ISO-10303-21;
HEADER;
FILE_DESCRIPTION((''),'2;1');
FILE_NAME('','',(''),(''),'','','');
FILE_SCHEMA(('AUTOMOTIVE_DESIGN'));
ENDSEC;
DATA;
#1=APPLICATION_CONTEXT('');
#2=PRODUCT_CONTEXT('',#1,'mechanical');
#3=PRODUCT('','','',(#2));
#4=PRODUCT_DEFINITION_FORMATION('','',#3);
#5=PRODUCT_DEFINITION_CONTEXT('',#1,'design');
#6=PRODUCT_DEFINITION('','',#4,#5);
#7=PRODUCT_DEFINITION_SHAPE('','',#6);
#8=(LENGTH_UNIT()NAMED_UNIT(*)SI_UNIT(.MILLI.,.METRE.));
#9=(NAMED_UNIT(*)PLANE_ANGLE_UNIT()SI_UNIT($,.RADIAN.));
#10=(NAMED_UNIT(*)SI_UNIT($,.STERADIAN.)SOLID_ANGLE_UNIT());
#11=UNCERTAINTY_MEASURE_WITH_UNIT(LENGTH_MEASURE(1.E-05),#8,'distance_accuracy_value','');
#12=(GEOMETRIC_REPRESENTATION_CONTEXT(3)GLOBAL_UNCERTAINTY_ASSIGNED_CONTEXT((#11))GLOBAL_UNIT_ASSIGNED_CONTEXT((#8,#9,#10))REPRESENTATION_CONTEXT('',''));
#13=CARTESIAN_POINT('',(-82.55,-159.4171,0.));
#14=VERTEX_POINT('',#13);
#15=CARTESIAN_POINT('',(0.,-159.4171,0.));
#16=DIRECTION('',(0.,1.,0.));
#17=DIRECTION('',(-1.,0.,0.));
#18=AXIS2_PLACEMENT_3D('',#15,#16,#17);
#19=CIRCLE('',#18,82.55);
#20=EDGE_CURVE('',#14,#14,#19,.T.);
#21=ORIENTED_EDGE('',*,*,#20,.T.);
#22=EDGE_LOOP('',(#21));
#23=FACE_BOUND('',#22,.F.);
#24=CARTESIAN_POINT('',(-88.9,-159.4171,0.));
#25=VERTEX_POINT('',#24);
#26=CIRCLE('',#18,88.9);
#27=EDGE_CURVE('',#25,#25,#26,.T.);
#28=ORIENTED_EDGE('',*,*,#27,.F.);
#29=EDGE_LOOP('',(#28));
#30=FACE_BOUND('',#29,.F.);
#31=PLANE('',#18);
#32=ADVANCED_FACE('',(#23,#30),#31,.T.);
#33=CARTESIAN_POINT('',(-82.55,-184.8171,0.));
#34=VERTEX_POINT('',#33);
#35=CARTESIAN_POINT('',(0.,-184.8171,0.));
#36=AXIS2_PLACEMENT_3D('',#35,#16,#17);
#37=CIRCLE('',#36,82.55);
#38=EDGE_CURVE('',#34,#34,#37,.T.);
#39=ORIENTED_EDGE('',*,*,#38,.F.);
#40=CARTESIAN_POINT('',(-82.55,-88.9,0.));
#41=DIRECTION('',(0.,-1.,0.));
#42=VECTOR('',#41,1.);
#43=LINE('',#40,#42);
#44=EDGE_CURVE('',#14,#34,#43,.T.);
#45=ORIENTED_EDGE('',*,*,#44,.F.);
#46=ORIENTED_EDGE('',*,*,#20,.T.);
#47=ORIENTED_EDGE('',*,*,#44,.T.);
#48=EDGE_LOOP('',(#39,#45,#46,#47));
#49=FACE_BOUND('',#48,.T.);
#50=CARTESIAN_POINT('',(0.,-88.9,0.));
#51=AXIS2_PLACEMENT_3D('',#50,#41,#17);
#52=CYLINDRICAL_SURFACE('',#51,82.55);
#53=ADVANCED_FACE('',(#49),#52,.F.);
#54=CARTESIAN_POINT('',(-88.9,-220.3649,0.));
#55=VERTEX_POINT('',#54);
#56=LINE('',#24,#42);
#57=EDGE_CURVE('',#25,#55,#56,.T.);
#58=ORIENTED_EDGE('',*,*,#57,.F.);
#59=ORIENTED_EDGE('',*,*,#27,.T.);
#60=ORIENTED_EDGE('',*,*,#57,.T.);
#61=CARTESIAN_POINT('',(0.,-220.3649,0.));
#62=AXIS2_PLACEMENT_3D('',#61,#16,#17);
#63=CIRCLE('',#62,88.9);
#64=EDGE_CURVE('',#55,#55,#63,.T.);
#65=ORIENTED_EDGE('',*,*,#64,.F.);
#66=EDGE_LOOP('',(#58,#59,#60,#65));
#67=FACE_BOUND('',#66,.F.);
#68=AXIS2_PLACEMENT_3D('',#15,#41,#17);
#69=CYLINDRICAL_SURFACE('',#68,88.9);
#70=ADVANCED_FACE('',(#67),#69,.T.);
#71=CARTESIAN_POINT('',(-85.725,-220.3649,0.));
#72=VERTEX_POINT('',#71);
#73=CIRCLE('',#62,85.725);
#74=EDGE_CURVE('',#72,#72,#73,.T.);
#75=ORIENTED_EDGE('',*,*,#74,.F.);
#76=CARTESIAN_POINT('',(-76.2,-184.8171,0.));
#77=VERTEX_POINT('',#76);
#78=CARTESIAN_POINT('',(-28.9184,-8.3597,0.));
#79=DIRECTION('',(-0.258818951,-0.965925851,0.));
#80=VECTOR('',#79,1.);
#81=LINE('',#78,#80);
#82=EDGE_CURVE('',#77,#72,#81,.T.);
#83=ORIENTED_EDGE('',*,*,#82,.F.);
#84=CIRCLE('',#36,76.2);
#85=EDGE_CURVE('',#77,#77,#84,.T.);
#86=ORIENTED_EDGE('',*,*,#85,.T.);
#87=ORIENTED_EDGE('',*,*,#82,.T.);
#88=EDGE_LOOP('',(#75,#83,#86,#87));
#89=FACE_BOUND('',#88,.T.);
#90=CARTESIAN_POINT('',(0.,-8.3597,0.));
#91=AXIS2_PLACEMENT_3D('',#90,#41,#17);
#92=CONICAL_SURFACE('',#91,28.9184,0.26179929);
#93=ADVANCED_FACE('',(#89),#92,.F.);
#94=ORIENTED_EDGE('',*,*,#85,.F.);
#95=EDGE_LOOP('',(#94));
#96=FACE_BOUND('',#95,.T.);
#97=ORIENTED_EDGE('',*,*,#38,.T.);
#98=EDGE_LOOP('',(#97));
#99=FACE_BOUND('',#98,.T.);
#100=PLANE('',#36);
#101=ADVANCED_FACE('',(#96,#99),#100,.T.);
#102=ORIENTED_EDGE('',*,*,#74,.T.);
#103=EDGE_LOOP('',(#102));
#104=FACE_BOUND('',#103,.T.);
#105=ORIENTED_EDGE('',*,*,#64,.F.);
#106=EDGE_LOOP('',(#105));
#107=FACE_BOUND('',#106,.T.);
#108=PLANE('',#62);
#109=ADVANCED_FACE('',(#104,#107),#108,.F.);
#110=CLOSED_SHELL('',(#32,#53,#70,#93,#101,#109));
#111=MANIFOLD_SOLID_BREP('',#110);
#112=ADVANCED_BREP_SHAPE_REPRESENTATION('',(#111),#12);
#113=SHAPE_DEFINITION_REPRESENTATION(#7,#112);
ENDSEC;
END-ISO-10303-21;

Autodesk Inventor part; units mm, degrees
ref_plane "YZ Plane" through (0, 0, 0) normal (1, 0, 0) x (0, 1, 0)
ref_plane "XZ Plane" through (0, 0, 0) normal (0, 1, 0) x (-1, 0, 0)
ref_plane "XY Plane" through (0, 0, 0) normal (0, 0, 1) x (1, 0, 0)
sketch "Sketch1" plane through (0, 0, 0) normal (0, 0, 1) x (1, 0, 0)
  line L0 (0, 25.4) -> (-28.702, 25.4) construction
  line L1 (0, 25.4) -> (-95.25, 25.4) construction
  line L2 (-95.25, 25.4) -> (-88.9, 25.4) construction
  line L3 (-88.9, 25.4) -> (-82.55, 22.4389) construction
  line L4 (-88.9, 25.4) -> (-88.9, 22.4389) construction
  line L5 (-88.9, 0) -> (-95.25, 0)
  line L6 (-28.702, 59.6457) -> (-28.702, -91.9304) construction
  arc A0 (-28.9184, -8.3597) -> (-32.3684, -0.9611) centre (-35.052, -6.7162) ccw
  line L7 (-76.2, -184.8171) -> (-28.702, -7.5522)
  line L8 (-88.9, 22.4389) -> (-82.55, 22.4389)
  line L9 (-88.9, 22.4389) -> (-88.9, 0)
  line L10 (-82.55, 22.4389) -> (-32.3684, -0.9611)
  line L11 (-28.702, -6.7162) -> (-60.452, -6.7162) construction
  line L12 (-60.452, 12.1345) -> (-60.452, -126.0448) construction
  line L13 (-60.452, -126.0448) -> (-54.102, -126.0448) construction
  line L14 (-54.102, -126.0448) -> (-54.102, -102.3463) construction
  line L15 (-54.102, -102.3463) -> (-60.452, -102.3463)
  line L16 (-60.452, 12.1345) -> (-60.452, 2.6095) construction
  line L17 (-60.452, 12.1345) -> (-60.452, 5.7845) construction
  line L18 (-60.452, 5.7845) -> (-46.8344, 5.7845)
  line L19 (-60.452, 5.7845) -> (-60.452, -102.3463)
  line L20 (-95.25, 0) -> (-95.25, -12.7) construction
  line L21 (-60.452, -12.7) -> (-73.152, -12.7) construction
  line L22 (-95.25, -12.7) -> (-95.25, -25.4) construction
  line L23 (-95.25, -25.4) -> (-95.25, -88.9) construction
  line L24 (-95.25, -88.9) -> (-82.55, -88.9) construction
  line L25 (-82.55, -88.9) -> (-82.55, -25.4) construction
  line L26 (-95.25, -25.4) -> (-82.55, -25.4)
  line L27 (-82.55, -25.4) -> (-82.55, -88.9)
  line L28 (-82.55, -88.9) -> (-95.25, -88.9)
  line L29 (-95.25, -12.7) -> (-73.152, -12.7)
  line L30 (-73.152, -137.8941) -> (-63.627, -137.8941)
  line L31 (-82.55, -88.9) -> (-82.55, -184.8171)
  line L32 (-82.55, -184.8171) -> (-76.2, -184.8171)
  line L33 (-73.152, -12.7) -> (-73.152, -137.8941)
  line L34 (-88.9, -25.4) -> (-88.9, -31.3436)
  line L35 (-88.9, -31.3436) -> (-95.25, -31.3436)
  line L36 (-95.25, 0) -> (-95.25, -25.4)
  line L37 (-95.25, -31.3436) -> (-95.25, -88.9)
  line L38 (-88.9, -159.4171) -> (-88.9, -220.3649)
  line L39 (-28.9184, -8.3597) -> (-85.725, -220.3649)
  line L40 (-85.725, -220.3649) -> (-88.9, -220.3649)
  line L41 (-82.55, -159.4171) -> (-88.9, -159.4171)
  line L42 (0, -319.0244) -> (0, 122.7573) projected
  point P0 (0, 0)
  point P1 (-95.25, -255.9127)
  point P2 (-85.725, 22.4389)
  dimension "d0" = 28.702
  dimension "d1" = 95.25
  dimension "d2" = 6.35
  dimension "d3" = 25
  dimension "d5" = 25.4
  dimension "d6" = 25.4
  dimension "d8" = 12.7
  dimension "d11" = 6.35
  dimension "d12" = 31.75
  dimension "d13" = 6.35
  dimension "d15" = 6.35
  dimension "d16" = 12.7
  dimension "d17" = 12.7
  dimension "d18" = 12.7
  dimension "d19" = 63.5
  dimension "d20" = 12.7
  dimension "d22" = 9.525
  dimension "d23" = 6.35
  dimension "d25" = 5.9436
  dimension "d26" = 15
  dimension "d27" = 3.175
  dimension "d28" = 6.35
  dimension "d29" = 25.4
revolve "Revolution1" add sketch "Sketch1" angle 360 about axis through (0, -10, 0) along (0, 1, 0) contours L39 L40 L38 L41 L31 L32
properties part number "Aluminum Skirt" material "Aluminum 6061"
